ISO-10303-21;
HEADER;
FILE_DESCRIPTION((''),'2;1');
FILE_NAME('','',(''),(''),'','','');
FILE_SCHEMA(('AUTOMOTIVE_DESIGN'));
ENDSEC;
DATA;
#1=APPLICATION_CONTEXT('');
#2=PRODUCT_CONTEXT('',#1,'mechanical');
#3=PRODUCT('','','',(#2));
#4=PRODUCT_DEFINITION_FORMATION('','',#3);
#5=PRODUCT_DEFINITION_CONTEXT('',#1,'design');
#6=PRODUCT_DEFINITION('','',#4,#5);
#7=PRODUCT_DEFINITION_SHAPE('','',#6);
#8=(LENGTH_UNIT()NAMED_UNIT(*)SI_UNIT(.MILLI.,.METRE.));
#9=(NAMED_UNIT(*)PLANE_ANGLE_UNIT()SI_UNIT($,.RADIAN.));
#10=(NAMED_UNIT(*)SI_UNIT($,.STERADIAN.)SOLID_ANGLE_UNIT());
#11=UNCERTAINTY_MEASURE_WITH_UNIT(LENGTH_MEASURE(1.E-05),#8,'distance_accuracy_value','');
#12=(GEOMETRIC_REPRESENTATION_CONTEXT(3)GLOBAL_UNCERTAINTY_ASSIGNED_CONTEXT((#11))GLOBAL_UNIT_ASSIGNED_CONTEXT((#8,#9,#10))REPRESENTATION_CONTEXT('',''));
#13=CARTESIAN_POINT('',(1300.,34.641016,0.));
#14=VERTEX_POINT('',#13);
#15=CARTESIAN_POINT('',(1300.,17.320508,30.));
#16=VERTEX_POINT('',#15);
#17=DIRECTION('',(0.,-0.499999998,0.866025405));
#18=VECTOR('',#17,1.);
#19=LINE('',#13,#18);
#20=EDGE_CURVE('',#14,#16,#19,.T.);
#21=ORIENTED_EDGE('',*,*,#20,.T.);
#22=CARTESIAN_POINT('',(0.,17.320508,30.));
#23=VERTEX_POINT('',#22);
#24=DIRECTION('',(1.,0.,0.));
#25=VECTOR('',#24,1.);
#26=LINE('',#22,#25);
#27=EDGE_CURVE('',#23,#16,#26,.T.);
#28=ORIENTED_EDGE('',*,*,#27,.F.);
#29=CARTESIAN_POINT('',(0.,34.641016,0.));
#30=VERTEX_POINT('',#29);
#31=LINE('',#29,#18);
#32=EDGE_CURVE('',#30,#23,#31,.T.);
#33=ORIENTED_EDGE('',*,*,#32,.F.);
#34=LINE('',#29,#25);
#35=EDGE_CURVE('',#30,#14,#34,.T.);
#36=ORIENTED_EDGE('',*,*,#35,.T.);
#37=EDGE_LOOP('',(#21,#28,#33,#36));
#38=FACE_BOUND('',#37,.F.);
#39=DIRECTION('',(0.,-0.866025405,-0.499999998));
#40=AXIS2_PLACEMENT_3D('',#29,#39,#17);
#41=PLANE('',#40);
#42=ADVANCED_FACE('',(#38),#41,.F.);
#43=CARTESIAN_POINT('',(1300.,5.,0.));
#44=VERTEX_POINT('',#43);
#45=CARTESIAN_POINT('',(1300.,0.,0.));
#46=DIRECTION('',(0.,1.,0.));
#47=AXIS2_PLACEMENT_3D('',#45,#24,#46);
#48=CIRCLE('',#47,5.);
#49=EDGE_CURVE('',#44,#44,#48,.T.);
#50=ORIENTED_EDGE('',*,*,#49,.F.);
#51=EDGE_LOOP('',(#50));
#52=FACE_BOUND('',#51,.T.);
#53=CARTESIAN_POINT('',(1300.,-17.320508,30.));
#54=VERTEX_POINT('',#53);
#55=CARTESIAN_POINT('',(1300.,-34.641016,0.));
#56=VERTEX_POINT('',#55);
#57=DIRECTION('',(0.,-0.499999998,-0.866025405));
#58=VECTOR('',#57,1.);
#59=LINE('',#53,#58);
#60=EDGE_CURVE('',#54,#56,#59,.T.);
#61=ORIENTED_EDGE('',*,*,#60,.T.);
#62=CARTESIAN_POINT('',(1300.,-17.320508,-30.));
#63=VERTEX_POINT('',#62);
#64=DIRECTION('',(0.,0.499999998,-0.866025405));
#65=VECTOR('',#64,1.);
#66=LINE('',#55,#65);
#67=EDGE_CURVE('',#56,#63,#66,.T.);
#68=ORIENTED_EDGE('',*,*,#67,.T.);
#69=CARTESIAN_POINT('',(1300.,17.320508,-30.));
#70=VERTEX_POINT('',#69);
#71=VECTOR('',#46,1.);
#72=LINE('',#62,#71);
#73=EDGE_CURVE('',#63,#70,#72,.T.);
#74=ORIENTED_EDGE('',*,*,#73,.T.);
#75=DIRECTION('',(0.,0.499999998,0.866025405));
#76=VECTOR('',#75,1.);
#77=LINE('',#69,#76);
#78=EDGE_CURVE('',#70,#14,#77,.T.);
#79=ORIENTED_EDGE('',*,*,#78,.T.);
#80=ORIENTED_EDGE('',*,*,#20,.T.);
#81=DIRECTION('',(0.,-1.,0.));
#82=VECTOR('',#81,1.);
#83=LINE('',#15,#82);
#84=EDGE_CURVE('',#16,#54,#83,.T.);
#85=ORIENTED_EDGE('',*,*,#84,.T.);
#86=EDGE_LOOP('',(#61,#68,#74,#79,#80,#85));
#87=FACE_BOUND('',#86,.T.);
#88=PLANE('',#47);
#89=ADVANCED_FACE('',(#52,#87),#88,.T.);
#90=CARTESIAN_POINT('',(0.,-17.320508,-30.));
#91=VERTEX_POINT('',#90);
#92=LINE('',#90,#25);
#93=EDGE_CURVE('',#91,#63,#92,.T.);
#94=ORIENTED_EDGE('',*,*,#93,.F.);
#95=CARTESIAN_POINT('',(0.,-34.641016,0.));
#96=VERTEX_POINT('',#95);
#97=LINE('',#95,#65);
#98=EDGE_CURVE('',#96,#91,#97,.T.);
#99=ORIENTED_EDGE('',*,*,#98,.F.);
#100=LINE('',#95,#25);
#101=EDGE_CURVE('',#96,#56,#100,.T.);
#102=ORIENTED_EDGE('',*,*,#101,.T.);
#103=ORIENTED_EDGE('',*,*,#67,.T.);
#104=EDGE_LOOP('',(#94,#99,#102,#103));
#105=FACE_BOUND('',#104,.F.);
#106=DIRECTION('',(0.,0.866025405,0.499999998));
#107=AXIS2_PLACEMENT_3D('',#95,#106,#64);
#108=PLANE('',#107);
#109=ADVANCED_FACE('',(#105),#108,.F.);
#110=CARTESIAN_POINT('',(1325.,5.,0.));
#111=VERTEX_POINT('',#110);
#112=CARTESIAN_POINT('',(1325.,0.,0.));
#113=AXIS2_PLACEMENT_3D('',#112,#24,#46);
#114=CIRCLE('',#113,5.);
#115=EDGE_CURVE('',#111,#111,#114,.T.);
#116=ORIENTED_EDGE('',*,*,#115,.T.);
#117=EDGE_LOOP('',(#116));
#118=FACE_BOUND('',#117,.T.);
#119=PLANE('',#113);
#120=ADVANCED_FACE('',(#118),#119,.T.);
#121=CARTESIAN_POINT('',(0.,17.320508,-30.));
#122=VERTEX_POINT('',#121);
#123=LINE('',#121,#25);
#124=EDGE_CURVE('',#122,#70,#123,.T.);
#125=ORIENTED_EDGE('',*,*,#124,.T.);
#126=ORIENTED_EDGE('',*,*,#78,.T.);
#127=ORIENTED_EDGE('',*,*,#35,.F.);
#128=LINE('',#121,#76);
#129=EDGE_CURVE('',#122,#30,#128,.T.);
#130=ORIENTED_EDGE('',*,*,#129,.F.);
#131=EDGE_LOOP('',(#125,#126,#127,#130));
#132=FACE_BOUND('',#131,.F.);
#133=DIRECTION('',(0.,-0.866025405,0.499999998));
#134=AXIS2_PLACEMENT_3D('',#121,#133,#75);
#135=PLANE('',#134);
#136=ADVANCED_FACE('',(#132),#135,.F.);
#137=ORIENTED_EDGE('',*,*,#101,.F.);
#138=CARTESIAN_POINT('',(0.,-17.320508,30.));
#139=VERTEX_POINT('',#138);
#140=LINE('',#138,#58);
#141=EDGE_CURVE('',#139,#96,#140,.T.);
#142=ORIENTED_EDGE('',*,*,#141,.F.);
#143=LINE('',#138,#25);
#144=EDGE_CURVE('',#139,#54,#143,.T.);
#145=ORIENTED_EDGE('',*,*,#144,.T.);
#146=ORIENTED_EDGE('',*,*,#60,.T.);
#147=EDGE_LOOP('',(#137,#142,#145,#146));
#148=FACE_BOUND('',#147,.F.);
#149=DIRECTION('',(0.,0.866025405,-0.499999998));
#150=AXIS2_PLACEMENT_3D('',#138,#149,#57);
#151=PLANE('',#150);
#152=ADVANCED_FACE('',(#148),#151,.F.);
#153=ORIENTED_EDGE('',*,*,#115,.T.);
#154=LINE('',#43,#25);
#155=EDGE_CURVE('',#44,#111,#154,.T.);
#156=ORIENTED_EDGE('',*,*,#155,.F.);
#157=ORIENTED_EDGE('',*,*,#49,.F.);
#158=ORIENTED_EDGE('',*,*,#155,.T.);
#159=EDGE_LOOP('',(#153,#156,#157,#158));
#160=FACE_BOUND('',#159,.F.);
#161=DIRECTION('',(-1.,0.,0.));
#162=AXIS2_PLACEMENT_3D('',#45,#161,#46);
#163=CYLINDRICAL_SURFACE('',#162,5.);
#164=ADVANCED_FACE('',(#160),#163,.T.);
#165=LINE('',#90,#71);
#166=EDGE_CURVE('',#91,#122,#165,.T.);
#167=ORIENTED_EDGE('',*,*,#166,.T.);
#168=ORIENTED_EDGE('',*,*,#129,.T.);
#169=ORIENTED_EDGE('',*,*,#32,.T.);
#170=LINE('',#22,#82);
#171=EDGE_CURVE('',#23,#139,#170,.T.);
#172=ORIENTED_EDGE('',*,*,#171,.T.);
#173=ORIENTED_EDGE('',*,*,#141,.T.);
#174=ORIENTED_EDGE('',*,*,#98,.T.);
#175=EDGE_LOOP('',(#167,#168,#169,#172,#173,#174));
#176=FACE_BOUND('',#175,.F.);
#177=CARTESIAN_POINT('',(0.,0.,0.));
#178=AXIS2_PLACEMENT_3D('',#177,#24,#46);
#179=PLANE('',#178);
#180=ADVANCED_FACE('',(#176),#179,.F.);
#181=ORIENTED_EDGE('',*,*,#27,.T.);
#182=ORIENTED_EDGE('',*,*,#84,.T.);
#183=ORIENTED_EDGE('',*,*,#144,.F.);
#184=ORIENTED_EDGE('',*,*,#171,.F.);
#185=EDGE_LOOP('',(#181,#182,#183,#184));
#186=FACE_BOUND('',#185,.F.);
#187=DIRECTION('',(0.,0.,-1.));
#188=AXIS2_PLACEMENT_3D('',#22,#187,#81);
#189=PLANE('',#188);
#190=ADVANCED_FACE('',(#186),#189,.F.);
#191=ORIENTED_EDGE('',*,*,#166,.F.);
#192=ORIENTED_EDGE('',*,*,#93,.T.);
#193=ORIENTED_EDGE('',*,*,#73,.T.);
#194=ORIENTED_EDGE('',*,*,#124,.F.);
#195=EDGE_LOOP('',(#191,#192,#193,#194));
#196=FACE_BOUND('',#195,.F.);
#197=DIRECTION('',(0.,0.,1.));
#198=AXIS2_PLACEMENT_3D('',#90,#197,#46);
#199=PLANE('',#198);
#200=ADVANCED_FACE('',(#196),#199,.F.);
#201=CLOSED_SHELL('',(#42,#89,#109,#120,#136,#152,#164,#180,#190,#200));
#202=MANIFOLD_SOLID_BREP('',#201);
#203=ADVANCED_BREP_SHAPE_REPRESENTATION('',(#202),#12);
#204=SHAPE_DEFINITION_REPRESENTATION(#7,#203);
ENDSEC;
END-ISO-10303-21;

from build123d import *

# Parameters (mm, degrees)
F1_DEPTH = 1300
F2_R     = 5
F3_DEPTH = 25


with BuildPart() as f1:
    # F0 (on Right) → F1 (new body)
    with BuildSketch(Plane.YZ):
        Polygon((-17.320508, -30), (17.320508, -30), (34.641016, 0), (17.320508, 30), (-17.320508, 30), (-34.641016, 0), align=None)
    extrude(amount=F1_DEPTH)

    # F2 (on face) → F3 (join)
    with BuildSketch(Plane.YZ.offset(1300)):
        Circle(F2_R)
    extrude(amount=F3_DEPTH)


solid = f1.part
